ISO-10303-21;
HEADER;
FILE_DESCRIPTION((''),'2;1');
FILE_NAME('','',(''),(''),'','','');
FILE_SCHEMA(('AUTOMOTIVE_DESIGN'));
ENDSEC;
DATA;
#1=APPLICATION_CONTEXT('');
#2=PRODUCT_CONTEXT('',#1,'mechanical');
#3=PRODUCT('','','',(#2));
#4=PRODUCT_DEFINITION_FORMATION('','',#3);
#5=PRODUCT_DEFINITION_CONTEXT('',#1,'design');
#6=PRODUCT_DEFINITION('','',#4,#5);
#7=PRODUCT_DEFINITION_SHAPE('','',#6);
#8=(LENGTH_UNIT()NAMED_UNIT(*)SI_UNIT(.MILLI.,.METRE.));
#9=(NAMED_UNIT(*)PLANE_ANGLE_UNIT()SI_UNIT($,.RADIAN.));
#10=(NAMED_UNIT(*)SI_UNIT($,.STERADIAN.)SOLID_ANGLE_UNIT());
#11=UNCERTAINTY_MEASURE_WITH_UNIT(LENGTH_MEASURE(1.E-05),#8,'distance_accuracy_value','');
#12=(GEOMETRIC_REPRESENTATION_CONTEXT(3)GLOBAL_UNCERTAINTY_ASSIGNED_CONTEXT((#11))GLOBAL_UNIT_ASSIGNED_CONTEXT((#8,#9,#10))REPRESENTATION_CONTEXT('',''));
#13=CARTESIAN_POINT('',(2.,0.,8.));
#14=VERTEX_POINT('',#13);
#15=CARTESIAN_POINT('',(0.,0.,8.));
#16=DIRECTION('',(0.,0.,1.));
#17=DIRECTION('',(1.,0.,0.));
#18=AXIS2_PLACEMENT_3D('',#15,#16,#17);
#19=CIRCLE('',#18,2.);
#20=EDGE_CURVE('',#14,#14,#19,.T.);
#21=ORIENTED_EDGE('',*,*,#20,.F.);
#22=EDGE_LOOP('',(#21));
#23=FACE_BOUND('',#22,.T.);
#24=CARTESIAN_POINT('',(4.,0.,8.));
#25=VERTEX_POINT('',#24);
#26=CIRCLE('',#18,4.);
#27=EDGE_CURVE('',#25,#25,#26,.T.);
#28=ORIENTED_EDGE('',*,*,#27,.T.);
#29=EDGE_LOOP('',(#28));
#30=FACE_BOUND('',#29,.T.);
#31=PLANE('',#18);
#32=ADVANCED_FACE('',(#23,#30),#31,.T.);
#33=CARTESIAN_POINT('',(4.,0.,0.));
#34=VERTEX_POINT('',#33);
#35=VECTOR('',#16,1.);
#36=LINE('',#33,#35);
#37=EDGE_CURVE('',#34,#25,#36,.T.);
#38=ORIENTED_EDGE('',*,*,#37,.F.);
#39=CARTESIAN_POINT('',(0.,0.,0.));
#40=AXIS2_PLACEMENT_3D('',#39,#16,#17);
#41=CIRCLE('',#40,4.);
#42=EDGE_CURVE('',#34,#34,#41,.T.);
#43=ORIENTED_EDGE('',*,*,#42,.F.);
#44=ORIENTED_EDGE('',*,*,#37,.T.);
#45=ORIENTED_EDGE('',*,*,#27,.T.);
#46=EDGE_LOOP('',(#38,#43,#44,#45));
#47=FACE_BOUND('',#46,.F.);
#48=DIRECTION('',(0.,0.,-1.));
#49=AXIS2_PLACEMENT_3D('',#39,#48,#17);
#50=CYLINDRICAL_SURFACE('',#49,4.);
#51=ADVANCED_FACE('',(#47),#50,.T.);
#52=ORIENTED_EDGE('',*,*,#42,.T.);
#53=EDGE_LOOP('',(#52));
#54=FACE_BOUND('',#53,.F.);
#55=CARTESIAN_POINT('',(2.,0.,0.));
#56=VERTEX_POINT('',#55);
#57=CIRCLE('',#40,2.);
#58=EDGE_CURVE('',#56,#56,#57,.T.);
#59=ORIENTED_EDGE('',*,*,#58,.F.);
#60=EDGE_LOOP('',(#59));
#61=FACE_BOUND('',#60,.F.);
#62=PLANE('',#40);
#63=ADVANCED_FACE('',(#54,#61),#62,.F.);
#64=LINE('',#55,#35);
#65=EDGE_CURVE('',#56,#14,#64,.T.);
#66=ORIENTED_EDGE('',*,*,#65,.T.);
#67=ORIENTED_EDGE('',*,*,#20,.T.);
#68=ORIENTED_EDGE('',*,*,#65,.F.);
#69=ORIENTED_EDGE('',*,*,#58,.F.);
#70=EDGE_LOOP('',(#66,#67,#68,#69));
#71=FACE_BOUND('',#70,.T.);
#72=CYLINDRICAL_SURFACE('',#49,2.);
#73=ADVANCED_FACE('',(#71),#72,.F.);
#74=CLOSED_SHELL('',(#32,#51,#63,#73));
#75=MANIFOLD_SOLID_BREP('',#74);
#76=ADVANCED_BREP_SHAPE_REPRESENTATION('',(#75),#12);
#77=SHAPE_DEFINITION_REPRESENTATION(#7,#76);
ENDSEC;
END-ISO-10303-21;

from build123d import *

# Parameters (mm, degrees)
SKETCH_R   = 4
SKETCH_R_2 = 2
PAD_DEPTH  = 8


with BuildPart() as part:
    # Sketch → Pad (new body)
    with BuildSketch(Plane.XY):
        Circle(SKETCH_R)
        Circle(SKETCH_R_2, mode=Mode.SUBTRACT)
    extrude(amount=PAD_DEPTH)


solid = part.part
